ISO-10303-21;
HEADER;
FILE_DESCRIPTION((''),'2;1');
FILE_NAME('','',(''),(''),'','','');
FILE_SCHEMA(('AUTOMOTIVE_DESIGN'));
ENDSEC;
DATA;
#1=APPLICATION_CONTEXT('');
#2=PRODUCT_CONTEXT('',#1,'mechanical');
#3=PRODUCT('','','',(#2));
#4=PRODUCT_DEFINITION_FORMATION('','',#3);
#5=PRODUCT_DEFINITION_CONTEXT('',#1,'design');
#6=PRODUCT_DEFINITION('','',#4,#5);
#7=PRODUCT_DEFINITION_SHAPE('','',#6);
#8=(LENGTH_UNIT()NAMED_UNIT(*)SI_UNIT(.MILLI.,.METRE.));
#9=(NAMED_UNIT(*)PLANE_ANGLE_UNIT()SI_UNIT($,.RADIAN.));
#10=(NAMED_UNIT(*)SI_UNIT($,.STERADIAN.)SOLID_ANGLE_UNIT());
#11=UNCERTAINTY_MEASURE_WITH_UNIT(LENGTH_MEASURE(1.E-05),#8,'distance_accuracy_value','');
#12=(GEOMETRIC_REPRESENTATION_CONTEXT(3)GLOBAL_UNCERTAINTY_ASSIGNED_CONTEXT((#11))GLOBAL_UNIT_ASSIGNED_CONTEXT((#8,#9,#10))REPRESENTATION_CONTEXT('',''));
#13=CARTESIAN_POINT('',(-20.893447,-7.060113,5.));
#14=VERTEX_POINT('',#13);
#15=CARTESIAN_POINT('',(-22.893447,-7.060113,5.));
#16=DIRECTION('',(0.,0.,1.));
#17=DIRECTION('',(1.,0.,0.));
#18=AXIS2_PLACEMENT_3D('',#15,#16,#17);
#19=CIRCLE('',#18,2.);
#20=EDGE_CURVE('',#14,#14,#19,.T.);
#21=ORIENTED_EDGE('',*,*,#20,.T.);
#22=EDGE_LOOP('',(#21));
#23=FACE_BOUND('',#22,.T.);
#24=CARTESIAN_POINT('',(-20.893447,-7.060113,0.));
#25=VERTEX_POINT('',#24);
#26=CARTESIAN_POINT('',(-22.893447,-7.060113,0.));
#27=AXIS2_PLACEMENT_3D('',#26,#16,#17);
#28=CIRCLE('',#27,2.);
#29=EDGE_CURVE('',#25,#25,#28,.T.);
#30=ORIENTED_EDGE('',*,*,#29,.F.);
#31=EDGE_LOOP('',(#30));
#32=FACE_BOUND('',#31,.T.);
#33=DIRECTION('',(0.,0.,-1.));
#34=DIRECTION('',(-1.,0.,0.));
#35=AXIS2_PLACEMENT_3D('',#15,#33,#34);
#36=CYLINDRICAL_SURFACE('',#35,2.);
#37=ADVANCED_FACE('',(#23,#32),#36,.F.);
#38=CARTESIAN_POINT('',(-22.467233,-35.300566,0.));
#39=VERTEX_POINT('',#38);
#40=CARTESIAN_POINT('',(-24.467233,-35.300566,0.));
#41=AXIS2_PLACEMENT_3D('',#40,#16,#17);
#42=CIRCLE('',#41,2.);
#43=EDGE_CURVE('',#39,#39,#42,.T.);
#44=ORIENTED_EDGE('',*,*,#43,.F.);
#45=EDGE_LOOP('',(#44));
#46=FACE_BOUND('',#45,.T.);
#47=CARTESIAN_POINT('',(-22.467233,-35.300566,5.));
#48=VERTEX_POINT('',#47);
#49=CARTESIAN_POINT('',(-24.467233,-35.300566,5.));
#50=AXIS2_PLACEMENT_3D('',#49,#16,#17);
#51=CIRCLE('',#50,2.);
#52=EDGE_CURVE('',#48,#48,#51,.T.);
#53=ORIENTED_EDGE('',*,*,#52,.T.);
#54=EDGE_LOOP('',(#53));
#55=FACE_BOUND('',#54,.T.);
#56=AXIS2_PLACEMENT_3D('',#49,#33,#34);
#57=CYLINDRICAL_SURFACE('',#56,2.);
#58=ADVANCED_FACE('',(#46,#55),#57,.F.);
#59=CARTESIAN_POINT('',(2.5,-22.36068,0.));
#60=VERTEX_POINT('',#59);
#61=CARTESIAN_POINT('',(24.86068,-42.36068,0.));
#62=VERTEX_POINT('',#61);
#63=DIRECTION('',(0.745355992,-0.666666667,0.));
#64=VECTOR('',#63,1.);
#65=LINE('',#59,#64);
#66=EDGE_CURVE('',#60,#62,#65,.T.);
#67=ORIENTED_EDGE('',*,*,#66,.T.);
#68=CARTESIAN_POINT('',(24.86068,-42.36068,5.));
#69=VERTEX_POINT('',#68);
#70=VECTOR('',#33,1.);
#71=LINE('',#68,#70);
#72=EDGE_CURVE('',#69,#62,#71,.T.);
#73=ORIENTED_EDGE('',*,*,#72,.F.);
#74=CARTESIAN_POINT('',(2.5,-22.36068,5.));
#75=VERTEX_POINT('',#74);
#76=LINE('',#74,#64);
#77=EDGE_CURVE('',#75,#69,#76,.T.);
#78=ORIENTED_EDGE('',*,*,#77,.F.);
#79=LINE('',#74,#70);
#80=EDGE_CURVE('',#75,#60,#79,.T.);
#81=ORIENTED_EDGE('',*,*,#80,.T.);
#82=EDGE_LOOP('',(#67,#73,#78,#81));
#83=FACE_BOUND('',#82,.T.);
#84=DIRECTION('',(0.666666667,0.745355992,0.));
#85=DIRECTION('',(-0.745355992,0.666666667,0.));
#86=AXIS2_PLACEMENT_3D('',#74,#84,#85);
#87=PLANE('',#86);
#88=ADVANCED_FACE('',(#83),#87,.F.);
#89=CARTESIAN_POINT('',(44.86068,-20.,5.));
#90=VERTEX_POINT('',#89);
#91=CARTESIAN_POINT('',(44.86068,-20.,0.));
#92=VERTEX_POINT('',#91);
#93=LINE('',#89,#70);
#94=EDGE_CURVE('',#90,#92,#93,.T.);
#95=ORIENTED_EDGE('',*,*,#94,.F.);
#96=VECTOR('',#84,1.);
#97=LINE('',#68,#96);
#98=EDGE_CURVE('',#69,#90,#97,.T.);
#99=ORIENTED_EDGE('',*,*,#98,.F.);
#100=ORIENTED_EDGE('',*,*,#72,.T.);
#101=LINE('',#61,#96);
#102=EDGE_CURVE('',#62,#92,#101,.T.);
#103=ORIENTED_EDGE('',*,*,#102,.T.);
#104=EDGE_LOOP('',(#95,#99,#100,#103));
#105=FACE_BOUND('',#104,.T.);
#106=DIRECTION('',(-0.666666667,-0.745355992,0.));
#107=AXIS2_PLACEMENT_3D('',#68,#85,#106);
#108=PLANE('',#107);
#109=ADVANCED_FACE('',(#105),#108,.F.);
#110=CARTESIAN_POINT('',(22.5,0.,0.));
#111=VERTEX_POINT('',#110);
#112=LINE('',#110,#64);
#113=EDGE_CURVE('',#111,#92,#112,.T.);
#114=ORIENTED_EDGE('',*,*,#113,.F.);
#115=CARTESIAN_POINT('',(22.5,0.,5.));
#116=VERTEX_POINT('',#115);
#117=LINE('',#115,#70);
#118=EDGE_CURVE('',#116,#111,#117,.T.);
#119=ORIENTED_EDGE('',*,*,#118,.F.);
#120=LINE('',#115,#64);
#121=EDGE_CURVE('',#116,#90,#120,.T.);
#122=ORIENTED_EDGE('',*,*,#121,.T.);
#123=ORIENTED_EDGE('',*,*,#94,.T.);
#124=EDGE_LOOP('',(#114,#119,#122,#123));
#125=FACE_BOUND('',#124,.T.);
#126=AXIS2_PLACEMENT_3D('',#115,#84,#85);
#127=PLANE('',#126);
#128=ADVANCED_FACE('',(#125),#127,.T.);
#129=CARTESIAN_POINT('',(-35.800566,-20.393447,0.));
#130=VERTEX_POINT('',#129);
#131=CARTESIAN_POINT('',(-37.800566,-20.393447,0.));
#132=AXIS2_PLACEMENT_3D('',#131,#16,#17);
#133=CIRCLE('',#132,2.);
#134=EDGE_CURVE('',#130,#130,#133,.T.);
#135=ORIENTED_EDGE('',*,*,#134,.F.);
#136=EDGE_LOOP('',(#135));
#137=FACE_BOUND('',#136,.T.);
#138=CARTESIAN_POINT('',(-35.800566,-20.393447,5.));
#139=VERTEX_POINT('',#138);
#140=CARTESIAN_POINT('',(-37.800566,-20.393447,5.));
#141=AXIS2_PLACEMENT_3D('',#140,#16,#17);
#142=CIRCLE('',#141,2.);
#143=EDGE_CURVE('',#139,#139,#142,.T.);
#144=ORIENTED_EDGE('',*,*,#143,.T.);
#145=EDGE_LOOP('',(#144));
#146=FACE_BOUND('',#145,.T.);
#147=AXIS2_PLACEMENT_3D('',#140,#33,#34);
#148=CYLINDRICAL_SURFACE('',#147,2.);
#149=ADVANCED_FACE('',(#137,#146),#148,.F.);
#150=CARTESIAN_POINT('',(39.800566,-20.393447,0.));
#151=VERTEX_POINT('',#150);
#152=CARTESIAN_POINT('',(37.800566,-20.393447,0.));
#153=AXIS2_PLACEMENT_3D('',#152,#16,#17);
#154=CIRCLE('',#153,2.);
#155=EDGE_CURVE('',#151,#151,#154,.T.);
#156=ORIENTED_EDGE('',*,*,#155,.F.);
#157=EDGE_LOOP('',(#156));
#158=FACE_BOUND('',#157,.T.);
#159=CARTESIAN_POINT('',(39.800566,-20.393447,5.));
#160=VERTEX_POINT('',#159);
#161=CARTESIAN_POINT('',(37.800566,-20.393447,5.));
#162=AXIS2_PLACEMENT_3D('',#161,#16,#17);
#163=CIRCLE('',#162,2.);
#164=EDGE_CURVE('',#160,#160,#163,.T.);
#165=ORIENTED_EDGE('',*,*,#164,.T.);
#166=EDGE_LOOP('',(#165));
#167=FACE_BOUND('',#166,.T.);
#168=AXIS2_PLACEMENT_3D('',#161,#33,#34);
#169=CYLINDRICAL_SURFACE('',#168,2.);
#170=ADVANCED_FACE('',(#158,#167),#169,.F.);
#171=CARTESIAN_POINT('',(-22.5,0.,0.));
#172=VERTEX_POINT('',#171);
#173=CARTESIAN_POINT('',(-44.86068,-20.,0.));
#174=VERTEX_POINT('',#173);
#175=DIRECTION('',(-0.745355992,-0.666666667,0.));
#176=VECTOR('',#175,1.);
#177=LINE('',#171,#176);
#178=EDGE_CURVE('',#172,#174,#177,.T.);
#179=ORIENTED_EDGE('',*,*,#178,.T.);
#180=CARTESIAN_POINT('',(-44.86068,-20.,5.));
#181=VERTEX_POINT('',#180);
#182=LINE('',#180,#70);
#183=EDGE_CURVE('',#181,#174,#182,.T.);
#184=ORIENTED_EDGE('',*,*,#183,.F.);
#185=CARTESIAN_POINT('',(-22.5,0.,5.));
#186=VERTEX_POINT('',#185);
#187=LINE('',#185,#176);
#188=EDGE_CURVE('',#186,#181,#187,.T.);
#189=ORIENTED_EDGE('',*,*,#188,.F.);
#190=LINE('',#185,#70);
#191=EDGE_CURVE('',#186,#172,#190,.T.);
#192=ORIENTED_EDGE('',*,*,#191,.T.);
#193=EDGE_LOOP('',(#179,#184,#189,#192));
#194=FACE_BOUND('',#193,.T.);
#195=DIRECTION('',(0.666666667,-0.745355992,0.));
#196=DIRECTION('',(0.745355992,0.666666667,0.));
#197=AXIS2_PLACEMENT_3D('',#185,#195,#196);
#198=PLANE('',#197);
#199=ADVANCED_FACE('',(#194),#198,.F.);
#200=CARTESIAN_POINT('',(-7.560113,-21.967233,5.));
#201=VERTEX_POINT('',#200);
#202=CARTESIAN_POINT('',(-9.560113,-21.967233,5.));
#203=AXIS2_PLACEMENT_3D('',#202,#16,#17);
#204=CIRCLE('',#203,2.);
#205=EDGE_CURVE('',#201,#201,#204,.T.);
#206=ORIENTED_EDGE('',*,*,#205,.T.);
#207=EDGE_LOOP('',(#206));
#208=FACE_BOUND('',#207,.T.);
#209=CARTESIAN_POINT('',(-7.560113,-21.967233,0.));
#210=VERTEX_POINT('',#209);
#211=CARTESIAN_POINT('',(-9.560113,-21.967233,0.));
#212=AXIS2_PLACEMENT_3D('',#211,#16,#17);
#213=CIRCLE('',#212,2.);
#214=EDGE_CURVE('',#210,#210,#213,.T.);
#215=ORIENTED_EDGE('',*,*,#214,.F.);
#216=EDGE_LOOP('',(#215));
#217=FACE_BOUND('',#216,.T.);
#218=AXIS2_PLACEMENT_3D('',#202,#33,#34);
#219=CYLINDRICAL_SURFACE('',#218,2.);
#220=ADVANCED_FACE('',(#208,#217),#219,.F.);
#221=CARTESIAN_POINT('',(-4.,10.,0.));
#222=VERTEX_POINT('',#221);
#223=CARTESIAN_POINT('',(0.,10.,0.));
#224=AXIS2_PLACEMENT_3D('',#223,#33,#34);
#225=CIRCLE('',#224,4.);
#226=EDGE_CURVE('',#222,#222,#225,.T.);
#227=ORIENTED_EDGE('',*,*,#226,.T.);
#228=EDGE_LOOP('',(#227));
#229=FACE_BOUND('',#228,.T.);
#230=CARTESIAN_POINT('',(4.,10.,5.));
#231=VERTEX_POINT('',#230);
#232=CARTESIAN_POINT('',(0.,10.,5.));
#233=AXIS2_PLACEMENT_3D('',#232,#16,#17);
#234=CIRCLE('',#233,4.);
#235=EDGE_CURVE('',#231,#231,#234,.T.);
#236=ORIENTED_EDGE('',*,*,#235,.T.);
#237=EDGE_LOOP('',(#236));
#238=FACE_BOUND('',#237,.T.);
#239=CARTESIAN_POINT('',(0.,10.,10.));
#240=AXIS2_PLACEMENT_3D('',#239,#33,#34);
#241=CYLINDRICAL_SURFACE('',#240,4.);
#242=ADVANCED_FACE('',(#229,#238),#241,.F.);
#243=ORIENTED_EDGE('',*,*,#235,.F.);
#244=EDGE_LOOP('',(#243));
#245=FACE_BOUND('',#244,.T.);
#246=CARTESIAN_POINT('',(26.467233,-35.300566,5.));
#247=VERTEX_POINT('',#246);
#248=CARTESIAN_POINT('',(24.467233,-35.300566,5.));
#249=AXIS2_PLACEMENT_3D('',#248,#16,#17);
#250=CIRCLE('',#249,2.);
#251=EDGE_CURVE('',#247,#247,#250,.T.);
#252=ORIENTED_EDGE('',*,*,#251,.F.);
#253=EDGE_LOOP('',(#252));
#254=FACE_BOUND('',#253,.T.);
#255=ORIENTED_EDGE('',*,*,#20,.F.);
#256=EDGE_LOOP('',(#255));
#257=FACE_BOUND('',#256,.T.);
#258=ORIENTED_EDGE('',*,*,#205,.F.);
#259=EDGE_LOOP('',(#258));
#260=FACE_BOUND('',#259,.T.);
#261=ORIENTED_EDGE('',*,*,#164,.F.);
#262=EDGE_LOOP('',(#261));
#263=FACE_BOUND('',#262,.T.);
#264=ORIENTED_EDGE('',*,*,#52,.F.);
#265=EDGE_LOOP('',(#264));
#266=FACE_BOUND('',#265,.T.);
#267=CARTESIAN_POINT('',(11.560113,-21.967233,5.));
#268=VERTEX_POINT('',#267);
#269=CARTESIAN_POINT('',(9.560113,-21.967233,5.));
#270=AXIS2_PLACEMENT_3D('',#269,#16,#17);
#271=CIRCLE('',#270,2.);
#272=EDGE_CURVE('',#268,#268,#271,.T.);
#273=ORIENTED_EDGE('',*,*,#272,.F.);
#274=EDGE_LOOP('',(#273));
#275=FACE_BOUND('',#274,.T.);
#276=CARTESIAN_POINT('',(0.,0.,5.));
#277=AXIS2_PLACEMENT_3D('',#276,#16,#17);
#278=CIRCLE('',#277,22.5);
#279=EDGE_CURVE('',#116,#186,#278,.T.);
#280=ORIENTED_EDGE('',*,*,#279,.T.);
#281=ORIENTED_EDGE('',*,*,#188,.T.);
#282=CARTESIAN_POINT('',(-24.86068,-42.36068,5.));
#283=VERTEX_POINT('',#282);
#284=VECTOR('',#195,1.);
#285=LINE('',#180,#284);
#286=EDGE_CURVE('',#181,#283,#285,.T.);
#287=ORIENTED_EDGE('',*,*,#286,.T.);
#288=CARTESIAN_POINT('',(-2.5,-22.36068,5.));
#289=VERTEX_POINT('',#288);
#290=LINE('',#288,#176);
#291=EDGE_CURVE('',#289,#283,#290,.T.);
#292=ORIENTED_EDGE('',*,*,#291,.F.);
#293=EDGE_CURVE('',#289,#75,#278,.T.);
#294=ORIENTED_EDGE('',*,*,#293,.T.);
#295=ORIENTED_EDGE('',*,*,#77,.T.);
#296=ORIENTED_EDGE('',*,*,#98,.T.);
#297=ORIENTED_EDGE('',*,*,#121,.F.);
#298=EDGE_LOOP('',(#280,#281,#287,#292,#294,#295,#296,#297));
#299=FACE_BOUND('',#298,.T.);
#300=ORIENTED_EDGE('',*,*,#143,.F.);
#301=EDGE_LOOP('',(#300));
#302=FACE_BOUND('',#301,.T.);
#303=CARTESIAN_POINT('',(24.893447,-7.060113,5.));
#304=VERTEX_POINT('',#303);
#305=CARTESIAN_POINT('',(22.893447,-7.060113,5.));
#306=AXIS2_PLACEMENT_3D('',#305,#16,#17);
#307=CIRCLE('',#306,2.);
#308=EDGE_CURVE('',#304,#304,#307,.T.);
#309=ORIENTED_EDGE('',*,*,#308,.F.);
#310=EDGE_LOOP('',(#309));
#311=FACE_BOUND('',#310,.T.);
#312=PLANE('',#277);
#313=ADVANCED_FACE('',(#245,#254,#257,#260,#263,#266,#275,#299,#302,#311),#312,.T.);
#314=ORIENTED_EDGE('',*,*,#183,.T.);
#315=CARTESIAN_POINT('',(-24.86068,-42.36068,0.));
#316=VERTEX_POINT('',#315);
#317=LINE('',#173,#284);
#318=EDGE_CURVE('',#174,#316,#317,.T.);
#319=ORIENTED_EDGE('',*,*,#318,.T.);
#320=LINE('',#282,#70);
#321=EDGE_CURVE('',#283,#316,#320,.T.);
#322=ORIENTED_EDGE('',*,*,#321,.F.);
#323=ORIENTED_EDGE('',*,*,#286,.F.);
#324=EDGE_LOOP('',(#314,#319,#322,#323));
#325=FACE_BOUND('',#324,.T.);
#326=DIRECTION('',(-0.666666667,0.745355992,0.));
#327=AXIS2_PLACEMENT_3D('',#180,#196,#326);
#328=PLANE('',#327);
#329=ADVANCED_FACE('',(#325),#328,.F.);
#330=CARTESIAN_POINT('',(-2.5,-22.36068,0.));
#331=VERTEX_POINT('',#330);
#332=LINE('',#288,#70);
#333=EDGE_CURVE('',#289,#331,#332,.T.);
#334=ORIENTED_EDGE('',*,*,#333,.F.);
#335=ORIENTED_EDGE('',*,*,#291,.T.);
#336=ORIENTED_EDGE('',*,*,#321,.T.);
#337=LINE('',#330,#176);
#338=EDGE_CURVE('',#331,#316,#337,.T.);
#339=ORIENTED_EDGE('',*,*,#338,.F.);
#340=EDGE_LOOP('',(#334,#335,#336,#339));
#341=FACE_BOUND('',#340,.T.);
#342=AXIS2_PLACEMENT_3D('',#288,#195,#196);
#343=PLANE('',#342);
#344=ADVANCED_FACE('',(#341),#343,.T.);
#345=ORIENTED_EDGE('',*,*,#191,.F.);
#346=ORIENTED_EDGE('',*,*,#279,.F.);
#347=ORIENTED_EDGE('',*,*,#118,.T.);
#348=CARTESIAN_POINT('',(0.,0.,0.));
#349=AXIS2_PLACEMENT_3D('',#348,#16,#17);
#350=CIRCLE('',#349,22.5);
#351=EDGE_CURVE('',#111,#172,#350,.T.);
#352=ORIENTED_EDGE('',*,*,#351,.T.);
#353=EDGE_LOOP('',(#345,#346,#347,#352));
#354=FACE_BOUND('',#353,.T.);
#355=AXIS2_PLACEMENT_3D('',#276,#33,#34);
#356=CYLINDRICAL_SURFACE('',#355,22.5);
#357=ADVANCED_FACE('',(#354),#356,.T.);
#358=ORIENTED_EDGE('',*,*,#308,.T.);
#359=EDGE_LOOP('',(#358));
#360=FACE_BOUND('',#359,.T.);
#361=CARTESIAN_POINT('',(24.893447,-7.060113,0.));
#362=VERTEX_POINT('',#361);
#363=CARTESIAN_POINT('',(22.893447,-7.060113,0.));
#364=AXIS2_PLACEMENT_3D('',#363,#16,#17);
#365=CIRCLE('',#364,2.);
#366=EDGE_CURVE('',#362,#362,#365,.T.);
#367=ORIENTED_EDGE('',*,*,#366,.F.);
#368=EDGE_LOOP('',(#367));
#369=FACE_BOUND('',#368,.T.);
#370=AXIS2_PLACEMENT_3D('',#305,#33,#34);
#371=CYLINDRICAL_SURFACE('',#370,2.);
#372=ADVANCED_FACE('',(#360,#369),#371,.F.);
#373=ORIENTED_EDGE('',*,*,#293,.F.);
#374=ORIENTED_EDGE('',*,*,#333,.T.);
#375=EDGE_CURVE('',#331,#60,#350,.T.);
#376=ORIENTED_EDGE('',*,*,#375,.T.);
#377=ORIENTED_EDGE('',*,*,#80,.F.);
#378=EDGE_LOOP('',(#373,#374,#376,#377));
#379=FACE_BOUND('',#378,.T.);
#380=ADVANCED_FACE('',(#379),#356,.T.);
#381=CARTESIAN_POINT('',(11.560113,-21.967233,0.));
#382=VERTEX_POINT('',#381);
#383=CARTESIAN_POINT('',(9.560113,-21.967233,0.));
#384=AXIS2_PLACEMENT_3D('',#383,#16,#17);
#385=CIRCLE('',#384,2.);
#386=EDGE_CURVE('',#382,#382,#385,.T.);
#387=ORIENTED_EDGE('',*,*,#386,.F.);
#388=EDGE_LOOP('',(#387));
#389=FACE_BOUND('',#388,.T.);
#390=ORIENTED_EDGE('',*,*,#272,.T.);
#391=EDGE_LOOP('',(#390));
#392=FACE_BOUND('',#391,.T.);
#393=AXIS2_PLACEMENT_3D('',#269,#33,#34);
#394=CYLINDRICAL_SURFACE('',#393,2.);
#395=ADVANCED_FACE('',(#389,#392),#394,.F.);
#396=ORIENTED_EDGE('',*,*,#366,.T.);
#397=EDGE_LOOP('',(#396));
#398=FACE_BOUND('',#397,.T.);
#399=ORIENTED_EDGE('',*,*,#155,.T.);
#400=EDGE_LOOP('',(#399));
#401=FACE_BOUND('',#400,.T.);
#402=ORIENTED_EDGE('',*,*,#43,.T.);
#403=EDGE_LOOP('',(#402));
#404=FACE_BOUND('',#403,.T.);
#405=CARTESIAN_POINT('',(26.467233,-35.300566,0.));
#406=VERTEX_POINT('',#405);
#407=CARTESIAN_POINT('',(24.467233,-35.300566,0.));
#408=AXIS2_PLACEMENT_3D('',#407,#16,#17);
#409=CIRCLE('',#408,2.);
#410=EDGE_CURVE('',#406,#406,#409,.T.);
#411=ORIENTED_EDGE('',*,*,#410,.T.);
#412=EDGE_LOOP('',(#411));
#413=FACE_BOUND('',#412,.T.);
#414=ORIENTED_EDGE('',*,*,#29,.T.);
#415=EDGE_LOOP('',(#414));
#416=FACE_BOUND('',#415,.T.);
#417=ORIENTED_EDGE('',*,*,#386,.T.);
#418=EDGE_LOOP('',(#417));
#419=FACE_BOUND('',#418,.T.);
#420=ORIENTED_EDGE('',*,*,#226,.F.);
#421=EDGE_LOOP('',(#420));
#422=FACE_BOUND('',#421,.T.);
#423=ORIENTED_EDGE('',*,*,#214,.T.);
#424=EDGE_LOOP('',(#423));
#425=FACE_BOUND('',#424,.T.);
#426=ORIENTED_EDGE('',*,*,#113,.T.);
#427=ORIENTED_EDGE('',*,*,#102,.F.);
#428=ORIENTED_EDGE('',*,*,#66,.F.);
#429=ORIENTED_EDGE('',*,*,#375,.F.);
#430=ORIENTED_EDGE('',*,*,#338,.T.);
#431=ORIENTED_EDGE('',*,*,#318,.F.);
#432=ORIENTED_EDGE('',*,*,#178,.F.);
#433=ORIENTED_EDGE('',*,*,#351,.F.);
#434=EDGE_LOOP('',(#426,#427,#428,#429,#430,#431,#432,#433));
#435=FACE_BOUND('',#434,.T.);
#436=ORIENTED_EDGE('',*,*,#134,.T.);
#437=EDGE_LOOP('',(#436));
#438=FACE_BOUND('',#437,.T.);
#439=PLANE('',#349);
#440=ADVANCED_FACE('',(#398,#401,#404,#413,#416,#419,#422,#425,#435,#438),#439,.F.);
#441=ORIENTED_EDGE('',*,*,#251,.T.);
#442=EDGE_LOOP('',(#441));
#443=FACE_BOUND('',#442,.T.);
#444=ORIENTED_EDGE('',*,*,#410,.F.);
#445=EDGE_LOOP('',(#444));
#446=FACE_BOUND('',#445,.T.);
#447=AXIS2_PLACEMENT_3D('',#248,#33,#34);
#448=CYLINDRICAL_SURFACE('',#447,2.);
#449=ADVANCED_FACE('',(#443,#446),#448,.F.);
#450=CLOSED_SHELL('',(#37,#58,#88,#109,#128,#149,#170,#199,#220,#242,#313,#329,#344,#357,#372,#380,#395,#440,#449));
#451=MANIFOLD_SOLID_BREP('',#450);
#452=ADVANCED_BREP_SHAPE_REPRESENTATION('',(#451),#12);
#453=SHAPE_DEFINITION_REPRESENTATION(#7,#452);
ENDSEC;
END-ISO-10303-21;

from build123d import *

# Parameters (mm, degrees)
SKETCH2_R           = 22.5
BOSS_EXTRUDE1_DEPTH = 5
SKETCH3_R           = 2
CUT_EXTRUDE1_DEPTH  = 5
SKETCH4_R           = 4
CUT_EXTRUDE2_DEPTH  = 10


with BuildPart() as part:
    # Sketch2 → Boss-Extrude1 (new body)
    with BuildSketch(Plane.XY):
        Circle(SKETCH2_R)
        Polygon((-22.5, 0), (-2.5, -22.360679775), (-24.860679775, -42.360679775), (-44.860679775, -20), align=None)
        Polygon((2.5, -22.360679775), (22.5, 0), (44.860679775, -20), (24.860679775, -42.360679775), align=None)
    extrude(amount=BOSS_EXTRUDE1_DEPTH)

    # Sketch3 → Cut-Extrude1 (cut)
    with BuildSketch(Plane(origin=(0, 0, 0), x_dir=(-1, 0, 0), z_dir=(0, 0, -1))):
        with Locations((-37.800566479, -20.393446629)):
            Circle(SKETCH3_R)
        with Locations((-22.893446629, -7.060113296)):
            Circle(SKETCH3_R)
        with Locations((-9.560113296, -21.967233146)):
            Circle(SKETCH3_R)
        with Locations((-24.467233146, -35.300566479)):
            Circle(SKETCH3_R)
        with Locations((24.467233146, -35.300566479)):
            Circle(SKETCH3_R)
        with Locations((37.800566479, -20.393446629)):
            Circle(SKETCH3_R)
        with Locations((9.560113296, -21.967233146)):
            Circle(SKETCH3_R)
        with Locations((22.893446629, -7.060113296)):
            Circle(SKETCH3_R)
    extrude(amount=-CUT_EXTRUDE1_DEPTH, mode=Mode.SUBTRACT)

    # Sketch4 → Cut-Extrude2 (cut)
    with BuildSketch(Plane(origin=(0, 0, 0), x_dir=(-1, 0, 0), z_dir=(0, 0, -1))):
        with Locations((0, 10)):
            Circle(SKETCH4_R)
    extrude(amount=-CUT_EXTRUDE2_DEPTH, mode=Mode.SUBTRACT)


solid = part.part
